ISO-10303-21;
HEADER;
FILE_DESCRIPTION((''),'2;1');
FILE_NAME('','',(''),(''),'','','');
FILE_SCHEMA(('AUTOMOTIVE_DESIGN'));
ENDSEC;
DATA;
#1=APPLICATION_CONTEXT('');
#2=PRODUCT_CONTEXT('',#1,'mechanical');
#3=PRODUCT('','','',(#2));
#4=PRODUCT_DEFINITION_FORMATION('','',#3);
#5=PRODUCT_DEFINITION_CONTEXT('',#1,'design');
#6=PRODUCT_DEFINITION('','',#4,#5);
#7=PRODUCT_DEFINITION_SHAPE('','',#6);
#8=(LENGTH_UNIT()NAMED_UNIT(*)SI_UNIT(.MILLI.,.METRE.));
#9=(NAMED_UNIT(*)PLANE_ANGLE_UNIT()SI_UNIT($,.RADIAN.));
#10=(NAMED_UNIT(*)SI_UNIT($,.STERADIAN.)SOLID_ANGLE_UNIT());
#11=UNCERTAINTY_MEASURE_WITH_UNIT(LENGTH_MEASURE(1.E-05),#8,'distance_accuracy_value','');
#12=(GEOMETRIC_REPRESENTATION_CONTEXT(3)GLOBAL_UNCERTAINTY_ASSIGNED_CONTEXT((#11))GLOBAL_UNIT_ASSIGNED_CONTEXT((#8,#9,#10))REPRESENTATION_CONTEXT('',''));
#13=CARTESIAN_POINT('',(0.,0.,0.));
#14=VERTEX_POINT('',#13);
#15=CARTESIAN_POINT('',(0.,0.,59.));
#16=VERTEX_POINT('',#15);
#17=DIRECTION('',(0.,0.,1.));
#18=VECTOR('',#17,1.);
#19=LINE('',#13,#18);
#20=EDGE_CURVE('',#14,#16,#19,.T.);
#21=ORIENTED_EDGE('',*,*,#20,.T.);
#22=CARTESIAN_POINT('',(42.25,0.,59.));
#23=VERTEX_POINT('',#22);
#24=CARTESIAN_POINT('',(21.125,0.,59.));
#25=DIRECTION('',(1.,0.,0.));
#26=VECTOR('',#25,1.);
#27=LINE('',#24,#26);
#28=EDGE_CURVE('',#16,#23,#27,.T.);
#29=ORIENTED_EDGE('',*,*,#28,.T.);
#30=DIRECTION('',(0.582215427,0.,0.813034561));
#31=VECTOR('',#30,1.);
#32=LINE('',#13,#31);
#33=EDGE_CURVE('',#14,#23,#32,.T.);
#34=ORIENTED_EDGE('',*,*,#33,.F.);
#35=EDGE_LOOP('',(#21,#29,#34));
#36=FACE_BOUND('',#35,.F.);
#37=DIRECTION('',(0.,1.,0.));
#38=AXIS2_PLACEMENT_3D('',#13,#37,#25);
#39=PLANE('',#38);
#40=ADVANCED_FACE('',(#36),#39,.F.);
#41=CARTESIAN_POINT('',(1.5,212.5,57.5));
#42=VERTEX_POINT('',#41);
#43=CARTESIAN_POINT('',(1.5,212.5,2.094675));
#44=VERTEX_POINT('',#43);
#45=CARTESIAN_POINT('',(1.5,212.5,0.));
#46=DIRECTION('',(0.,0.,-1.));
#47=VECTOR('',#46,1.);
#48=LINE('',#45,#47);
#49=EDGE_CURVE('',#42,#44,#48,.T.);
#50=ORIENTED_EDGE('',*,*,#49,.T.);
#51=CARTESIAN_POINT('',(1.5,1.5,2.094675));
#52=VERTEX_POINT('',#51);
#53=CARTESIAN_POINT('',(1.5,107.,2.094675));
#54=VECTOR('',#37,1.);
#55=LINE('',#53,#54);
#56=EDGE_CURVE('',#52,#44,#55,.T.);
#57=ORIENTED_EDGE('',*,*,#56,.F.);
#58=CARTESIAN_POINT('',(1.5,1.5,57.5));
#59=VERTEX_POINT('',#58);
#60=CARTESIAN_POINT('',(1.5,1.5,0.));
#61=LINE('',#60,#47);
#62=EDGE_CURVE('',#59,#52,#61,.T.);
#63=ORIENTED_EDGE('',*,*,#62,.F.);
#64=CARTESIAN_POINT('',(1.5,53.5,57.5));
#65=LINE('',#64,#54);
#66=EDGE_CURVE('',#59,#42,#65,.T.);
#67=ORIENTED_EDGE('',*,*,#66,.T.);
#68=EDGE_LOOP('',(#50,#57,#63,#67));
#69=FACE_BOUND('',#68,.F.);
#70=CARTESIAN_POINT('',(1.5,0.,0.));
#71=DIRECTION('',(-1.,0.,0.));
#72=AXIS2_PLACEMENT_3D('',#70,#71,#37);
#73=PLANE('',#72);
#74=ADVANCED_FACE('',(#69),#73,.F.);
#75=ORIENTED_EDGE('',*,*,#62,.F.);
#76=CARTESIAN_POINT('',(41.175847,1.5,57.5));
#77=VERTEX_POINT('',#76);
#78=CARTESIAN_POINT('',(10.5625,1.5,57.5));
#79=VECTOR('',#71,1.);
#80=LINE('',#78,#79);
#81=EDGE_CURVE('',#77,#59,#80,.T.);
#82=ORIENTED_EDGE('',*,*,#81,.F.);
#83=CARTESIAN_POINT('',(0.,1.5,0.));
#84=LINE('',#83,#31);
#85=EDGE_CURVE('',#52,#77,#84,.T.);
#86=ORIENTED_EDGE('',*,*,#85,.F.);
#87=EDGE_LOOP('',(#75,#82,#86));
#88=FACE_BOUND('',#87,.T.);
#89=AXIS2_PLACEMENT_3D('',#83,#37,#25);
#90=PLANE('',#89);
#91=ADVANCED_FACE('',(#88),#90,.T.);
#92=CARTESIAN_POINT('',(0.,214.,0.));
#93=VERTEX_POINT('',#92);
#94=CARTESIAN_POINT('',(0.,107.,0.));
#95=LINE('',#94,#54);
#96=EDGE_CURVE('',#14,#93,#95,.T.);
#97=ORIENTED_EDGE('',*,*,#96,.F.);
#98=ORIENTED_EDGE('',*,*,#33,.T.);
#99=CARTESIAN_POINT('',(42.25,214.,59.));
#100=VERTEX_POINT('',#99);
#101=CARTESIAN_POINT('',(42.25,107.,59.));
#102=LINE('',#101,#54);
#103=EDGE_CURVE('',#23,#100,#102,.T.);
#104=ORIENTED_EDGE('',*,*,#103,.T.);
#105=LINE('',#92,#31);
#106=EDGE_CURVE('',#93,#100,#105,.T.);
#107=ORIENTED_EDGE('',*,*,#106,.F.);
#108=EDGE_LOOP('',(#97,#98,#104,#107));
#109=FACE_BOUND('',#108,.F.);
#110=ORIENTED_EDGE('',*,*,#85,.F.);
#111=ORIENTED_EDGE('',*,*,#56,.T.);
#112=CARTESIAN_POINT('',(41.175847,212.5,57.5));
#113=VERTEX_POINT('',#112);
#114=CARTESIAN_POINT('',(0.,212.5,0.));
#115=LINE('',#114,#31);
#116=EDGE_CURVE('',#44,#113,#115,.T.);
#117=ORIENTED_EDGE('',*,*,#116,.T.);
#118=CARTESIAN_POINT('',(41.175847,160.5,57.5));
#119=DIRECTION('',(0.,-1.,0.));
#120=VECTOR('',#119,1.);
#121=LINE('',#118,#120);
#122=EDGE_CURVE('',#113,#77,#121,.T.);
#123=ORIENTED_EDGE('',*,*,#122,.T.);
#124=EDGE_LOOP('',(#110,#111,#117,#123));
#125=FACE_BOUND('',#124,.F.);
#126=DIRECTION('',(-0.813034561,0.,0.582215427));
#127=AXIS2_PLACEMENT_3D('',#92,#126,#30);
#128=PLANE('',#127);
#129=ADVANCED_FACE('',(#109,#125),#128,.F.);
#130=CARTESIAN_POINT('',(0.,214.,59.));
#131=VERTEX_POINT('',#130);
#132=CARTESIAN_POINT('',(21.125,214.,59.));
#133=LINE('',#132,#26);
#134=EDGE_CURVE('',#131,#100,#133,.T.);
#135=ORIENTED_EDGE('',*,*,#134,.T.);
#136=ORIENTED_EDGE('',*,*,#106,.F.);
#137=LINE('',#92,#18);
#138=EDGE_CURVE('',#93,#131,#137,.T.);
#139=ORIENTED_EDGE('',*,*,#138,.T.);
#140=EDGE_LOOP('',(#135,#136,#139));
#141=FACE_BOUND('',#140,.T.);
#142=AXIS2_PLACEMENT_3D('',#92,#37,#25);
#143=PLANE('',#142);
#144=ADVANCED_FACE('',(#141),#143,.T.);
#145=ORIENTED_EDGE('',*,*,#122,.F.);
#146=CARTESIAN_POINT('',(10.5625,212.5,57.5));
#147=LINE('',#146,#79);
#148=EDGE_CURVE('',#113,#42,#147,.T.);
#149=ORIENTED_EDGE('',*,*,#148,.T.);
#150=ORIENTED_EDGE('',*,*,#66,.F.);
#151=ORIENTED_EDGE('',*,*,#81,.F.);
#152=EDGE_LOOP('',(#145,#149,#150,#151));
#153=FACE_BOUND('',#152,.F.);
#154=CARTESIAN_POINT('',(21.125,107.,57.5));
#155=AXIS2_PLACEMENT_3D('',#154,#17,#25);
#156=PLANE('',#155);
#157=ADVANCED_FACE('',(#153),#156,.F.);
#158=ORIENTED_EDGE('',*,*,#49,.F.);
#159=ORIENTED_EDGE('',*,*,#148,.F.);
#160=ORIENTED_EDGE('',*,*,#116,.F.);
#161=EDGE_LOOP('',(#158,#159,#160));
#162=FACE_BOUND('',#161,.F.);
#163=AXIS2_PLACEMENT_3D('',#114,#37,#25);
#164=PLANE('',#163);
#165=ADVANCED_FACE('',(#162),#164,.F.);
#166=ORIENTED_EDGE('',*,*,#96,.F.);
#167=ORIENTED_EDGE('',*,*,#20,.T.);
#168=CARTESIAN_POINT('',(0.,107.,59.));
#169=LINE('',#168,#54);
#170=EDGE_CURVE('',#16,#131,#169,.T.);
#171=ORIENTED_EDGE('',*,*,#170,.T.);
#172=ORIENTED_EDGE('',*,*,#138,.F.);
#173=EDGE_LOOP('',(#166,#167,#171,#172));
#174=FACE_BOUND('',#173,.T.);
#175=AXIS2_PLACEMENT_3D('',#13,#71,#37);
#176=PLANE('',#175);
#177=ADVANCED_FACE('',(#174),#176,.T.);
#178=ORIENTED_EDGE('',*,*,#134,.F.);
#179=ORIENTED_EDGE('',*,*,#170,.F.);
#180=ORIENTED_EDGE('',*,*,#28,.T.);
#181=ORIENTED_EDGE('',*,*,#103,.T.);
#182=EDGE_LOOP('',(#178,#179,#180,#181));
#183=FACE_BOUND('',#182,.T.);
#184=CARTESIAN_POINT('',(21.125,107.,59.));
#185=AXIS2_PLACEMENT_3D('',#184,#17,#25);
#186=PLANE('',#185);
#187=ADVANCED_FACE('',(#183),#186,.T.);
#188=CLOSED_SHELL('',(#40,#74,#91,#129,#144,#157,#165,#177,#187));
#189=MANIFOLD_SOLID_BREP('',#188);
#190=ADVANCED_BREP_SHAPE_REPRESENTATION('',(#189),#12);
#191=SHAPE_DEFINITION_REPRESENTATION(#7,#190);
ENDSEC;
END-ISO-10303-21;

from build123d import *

# Parameters (mm, degrees)
F0_W     = 42.25
F0_H     = 214
F1_DEPTH = 59
F3_DEPTH = 214
F4_T     = -1.5


with BuildPart() as f1:
    # F0 (on Top) → F1 (new body)
    with BuildSketch(Plane.XY):
        with Locations((21.125, 107)):
            Rectangle(F0_W, F0_H)
    extrude(amount=F1_DEPTH)

    # F2 (on face) → F3 (cut, through all)
    with BuildSketch(Plane(origin=(0, 214, 0), x_dir=(-1, 0, 0), z_dir=(0, 1, 0))):
        Polygon((0, 0), (-42.25, 59), (-42.25, 0), align=None)
    extrude(amount=-F3_DEPTH, mode=Mode.SUBTRACT)

    # F4
    f4_openings = [f1.faces().sort_by_distance(p)[0] for p in [
        (21.125, 107, 29.5),
    ]]
    offset(amount=F4_T, openings=f4_openings)


solid = f1.part
